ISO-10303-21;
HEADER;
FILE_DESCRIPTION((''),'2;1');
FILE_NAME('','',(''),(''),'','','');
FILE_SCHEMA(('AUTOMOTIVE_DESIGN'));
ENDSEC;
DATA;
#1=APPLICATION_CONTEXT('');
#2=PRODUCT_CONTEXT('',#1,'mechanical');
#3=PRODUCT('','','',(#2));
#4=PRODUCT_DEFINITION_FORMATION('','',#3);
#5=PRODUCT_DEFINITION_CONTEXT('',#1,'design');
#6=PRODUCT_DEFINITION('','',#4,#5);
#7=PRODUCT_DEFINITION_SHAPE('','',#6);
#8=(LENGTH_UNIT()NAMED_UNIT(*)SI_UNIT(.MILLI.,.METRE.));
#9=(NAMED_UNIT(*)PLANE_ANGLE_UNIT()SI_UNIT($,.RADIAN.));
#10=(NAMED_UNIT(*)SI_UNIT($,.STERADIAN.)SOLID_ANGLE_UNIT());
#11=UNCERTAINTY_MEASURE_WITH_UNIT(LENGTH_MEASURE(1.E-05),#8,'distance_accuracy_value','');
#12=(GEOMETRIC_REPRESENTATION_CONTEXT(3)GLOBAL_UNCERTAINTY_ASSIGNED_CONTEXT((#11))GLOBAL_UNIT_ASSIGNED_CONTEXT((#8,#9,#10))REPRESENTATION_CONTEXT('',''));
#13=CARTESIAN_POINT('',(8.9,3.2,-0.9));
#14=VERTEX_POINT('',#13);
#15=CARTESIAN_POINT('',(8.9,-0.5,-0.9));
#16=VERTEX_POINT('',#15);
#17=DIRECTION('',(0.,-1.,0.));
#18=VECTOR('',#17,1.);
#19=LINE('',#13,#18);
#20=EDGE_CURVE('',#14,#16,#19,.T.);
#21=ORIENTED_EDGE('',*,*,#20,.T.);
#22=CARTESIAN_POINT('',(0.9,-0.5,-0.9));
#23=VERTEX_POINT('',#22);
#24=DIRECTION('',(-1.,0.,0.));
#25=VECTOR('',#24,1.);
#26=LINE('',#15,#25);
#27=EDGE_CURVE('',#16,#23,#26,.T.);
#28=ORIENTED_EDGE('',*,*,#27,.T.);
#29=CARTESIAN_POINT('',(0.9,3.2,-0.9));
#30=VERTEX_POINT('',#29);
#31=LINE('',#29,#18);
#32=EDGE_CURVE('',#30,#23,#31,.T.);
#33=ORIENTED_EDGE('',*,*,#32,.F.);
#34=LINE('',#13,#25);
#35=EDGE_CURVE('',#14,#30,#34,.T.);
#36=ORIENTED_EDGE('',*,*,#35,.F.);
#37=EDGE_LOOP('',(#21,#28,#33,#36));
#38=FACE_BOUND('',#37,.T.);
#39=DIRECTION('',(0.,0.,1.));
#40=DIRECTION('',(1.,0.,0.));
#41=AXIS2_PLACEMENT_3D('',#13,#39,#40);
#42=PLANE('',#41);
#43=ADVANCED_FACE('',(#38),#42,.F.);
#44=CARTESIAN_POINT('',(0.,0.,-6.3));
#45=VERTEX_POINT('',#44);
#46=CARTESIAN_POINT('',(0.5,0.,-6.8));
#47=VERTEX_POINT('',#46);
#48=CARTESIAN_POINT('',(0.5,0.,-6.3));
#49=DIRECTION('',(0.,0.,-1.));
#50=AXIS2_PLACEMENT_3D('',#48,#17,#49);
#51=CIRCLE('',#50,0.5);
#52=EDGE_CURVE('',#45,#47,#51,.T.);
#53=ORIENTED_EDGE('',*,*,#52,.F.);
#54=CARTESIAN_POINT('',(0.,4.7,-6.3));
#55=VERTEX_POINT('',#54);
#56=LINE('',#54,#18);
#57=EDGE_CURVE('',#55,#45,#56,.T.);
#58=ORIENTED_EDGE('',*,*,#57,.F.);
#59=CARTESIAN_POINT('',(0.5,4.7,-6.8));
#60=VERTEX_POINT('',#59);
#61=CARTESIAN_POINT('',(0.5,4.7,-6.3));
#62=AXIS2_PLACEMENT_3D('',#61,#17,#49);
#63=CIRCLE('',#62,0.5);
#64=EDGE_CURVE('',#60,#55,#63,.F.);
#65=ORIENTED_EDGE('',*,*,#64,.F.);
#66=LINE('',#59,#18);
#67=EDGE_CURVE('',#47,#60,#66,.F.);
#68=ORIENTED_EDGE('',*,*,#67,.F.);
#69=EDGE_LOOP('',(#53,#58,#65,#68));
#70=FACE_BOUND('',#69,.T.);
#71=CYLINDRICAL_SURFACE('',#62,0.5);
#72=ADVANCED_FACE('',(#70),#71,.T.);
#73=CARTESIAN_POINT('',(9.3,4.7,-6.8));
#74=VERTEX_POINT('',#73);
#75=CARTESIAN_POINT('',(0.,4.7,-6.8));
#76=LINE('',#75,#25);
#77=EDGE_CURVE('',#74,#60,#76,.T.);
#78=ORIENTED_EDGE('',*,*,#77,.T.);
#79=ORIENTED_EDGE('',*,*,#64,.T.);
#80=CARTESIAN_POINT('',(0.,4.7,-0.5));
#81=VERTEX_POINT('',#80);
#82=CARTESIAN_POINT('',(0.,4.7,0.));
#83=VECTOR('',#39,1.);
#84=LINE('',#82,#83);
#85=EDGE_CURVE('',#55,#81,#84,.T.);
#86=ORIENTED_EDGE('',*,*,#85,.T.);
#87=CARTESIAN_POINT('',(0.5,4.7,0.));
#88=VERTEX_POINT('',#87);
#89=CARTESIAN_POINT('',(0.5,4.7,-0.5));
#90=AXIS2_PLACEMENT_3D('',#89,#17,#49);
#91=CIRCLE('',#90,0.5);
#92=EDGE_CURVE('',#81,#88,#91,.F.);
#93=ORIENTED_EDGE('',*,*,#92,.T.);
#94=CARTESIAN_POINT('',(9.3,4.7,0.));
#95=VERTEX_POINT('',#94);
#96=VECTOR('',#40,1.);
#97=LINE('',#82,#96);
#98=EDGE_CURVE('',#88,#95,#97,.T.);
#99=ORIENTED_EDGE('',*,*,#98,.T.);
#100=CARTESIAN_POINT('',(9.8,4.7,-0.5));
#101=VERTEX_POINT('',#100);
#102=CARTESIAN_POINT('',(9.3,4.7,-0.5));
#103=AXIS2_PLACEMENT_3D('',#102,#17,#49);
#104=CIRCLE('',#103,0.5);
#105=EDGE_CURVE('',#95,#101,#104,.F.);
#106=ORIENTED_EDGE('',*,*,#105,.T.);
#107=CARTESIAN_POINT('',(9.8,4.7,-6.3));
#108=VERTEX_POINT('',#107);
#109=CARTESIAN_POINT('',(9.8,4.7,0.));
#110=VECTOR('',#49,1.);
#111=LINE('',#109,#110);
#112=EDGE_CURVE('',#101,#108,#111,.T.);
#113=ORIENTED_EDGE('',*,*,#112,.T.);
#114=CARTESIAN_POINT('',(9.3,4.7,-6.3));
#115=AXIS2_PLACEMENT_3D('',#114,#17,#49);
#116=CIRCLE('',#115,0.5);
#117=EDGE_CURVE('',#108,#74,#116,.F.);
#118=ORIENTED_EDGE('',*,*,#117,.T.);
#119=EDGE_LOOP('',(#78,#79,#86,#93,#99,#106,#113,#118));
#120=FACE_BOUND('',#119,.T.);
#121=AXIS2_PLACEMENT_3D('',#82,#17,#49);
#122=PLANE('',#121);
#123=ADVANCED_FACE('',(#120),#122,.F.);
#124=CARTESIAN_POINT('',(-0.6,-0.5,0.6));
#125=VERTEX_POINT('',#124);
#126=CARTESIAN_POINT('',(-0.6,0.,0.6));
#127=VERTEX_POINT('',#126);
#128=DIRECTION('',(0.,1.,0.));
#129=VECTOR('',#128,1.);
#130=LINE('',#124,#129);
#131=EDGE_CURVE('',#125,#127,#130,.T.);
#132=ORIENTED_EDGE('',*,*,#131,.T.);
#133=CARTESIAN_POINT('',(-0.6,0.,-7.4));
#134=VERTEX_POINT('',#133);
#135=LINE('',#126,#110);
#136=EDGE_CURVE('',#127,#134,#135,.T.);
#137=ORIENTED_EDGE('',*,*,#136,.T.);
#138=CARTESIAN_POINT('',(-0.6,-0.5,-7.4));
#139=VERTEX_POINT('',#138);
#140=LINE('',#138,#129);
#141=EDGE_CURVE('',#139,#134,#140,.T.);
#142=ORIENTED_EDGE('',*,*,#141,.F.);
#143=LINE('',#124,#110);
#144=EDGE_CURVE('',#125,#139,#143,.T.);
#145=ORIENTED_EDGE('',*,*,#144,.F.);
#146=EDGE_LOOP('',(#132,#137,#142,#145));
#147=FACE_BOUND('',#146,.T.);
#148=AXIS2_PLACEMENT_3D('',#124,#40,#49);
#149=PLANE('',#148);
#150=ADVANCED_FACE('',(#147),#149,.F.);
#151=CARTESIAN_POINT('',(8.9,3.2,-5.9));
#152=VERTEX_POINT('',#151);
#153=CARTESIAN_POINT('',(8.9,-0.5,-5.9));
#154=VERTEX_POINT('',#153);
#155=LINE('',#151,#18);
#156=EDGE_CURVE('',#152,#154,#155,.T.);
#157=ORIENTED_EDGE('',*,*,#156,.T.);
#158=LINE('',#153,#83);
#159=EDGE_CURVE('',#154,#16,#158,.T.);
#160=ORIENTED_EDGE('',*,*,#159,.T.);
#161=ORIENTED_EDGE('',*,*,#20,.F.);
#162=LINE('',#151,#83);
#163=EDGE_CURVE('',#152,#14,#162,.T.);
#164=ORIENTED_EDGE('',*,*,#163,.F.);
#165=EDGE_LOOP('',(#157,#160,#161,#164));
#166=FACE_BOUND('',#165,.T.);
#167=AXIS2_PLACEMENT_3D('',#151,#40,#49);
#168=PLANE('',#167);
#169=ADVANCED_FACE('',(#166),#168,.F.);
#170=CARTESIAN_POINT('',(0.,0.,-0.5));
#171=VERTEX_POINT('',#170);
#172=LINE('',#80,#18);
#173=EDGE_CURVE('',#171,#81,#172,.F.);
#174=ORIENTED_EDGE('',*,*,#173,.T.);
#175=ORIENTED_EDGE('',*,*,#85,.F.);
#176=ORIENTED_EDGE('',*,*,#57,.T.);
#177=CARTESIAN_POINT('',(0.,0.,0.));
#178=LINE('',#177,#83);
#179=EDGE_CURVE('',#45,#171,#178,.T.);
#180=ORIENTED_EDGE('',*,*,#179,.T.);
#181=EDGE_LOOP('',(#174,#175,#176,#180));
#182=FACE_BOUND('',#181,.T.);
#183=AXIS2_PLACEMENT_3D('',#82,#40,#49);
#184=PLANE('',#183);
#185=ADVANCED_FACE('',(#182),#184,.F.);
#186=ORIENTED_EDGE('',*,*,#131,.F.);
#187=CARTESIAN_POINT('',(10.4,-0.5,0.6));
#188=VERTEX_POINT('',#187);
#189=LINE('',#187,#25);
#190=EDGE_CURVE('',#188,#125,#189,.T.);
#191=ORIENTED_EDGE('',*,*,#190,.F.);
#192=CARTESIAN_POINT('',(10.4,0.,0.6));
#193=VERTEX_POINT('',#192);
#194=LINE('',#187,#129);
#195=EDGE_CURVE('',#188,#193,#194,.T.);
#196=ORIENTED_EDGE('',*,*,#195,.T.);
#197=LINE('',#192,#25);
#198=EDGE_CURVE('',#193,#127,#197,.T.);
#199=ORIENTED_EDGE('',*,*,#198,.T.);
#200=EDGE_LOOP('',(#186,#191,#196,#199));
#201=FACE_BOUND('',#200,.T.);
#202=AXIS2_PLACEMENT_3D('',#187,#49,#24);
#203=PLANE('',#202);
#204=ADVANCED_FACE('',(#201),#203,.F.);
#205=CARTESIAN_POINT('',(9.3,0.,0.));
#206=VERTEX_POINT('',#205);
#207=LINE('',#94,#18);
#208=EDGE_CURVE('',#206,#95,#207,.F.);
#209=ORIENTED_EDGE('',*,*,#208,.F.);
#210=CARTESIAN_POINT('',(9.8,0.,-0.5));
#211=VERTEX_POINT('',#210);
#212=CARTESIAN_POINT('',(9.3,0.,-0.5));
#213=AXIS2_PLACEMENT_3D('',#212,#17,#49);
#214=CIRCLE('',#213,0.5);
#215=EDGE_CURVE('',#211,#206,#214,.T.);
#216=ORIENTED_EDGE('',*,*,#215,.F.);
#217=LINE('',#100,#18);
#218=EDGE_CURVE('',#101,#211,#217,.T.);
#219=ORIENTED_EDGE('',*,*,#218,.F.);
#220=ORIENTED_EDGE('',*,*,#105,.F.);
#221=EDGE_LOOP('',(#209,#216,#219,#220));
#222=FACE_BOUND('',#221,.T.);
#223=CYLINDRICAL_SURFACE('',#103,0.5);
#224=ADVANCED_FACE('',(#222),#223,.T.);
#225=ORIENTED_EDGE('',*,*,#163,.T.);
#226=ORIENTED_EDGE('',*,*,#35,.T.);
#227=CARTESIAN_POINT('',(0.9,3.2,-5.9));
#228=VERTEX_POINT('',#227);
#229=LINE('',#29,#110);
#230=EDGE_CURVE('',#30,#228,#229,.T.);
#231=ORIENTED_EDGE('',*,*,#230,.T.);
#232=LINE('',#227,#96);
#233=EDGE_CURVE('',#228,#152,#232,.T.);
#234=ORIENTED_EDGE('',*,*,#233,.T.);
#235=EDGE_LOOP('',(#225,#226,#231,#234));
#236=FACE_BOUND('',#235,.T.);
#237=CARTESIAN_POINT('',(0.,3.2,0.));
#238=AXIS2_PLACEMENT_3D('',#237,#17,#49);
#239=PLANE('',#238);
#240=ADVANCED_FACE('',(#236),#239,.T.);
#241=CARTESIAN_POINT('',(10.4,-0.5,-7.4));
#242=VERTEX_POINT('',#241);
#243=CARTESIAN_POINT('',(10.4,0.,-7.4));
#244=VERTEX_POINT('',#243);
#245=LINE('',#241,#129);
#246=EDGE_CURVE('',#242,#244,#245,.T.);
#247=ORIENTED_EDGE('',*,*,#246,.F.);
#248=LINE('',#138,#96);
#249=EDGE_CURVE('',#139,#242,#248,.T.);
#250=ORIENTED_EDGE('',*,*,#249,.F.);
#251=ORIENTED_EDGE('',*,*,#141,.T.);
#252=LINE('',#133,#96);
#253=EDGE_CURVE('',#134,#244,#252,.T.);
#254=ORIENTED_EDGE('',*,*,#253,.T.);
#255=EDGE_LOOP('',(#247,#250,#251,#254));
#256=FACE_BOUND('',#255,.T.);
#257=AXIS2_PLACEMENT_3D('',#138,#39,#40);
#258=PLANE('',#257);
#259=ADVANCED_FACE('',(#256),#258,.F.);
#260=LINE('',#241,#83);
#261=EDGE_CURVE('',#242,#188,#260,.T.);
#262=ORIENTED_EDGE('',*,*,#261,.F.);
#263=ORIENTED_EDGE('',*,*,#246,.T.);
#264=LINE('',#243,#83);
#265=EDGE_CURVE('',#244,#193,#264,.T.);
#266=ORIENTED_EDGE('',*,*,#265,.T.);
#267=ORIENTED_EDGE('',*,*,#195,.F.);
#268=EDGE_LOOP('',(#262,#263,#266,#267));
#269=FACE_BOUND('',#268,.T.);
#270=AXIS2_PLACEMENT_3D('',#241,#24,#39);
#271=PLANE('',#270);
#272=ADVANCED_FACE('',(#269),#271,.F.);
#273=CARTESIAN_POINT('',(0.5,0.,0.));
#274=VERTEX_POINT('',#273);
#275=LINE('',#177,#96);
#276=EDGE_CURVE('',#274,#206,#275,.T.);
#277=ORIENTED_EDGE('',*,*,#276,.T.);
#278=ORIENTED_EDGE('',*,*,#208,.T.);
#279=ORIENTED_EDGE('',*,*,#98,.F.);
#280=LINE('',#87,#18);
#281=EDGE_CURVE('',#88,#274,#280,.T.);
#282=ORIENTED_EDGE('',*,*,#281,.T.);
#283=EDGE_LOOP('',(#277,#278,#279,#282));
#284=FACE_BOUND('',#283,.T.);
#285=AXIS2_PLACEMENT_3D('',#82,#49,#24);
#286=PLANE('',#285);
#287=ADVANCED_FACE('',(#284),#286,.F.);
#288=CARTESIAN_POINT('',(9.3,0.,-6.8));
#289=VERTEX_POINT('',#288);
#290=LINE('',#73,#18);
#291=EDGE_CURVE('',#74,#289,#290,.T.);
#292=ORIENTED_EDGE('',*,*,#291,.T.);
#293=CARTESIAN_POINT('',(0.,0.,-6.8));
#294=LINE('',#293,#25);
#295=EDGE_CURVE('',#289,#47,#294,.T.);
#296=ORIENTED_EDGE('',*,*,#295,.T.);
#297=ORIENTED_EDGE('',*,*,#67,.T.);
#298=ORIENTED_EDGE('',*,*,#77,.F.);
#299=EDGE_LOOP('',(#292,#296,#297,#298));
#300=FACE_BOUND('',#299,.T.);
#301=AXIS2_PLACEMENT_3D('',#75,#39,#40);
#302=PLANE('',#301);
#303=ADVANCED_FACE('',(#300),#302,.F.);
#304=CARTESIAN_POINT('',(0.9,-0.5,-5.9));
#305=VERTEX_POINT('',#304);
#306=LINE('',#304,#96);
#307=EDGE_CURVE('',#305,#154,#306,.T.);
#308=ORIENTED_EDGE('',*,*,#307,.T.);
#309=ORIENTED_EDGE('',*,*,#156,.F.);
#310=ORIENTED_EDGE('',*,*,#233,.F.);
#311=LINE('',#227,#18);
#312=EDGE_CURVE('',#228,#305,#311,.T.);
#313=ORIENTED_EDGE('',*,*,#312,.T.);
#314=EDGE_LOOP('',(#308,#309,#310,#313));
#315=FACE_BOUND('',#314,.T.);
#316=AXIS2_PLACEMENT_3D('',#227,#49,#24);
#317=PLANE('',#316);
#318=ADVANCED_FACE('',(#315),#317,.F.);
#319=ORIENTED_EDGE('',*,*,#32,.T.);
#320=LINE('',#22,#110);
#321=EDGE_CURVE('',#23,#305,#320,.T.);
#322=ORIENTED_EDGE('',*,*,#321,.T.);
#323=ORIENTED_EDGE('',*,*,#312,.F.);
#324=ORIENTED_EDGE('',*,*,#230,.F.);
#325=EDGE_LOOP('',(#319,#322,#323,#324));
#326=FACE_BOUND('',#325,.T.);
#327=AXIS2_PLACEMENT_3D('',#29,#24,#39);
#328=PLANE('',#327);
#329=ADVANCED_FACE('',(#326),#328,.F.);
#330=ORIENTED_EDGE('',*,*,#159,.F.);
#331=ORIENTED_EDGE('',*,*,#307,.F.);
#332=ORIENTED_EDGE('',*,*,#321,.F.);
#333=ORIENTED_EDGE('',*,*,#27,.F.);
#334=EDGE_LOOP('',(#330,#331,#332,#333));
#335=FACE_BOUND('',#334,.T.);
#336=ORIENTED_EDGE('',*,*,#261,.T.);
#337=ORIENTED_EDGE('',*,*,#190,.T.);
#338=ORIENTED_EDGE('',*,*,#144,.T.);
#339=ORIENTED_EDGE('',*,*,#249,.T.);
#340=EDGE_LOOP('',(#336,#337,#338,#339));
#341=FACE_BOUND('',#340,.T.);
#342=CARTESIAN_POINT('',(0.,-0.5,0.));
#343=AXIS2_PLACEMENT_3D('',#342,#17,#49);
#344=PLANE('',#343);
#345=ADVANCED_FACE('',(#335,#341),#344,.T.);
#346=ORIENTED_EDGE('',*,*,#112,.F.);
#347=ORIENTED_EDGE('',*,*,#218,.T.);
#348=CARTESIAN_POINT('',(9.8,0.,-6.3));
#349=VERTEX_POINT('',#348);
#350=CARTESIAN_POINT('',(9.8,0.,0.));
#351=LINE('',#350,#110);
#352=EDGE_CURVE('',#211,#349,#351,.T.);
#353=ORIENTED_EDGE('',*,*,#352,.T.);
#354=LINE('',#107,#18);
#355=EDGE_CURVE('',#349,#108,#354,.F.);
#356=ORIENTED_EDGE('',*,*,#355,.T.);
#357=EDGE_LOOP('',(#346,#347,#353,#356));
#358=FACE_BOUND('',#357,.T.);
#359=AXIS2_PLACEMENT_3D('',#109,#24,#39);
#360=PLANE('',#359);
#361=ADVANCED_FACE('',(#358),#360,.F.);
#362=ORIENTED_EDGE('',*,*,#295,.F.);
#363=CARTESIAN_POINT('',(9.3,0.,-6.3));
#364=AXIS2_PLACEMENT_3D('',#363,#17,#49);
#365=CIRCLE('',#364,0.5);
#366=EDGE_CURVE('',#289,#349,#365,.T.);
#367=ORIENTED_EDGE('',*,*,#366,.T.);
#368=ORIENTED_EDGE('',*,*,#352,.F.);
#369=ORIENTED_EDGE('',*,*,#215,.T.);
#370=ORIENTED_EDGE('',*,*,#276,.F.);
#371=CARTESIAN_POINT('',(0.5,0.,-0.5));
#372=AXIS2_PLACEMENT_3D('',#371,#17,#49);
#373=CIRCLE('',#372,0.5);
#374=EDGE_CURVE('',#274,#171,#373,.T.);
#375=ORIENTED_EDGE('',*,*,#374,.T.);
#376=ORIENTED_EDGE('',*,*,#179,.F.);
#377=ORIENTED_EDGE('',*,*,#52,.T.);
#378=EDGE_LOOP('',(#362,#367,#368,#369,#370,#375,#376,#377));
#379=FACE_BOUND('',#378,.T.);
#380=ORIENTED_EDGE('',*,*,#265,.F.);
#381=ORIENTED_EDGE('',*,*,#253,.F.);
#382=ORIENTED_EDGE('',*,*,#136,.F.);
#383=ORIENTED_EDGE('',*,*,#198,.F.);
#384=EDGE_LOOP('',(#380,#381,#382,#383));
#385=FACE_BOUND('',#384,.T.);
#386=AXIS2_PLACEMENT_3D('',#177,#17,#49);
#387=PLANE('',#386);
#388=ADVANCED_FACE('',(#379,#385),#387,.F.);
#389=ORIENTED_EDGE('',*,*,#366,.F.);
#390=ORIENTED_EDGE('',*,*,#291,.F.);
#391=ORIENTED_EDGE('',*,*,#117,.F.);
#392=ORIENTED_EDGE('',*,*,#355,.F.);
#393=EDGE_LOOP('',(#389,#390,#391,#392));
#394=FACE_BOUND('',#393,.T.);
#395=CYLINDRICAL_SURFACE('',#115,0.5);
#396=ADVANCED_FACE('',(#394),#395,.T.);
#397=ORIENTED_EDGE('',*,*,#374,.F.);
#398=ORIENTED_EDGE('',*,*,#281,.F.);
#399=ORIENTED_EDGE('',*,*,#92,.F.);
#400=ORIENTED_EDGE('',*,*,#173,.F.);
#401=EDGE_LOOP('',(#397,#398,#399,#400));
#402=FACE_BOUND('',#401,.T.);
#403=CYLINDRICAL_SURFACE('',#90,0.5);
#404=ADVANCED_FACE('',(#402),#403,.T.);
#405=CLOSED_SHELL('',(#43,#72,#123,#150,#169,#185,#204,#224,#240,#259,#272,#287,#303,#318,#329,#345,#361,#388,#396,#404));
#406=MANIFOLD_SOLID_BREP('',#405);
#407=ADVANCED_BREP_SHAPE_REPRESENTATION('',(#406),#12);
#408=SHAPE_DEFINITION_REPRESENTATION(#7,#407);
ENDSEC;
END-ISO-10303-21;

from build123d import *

# Parameters (mm, degrees)
SKETCH1_W           = 9.8
SKETCH1_H           = 6.8
BOSS_EXTRUDE1_DEPTH = 4.7
SKETCH2_W           = 11
SKETCH2_H           = 8
BOSS_EXTRUDE2_DEPTH = 0.5
SKETCH3_W           = 8
SKETCH3_H           = 5
CUT_EXTRUDE1_DEPTH  = 3.7
FILLET1_R           = 0.5


with BuildPart() as part:
    # Sketch1 → Boss-Extrude1 (new body)
    with BuildSketch(Plane(origin=(0, 0, 0), x_dir=(1, 0, 0), z_dir=(0, 1, 0))):
        with Locations((4.9, 3.4)):
            Rectangle(SKETCH1_W, SKETCH1_H)
    extrude(amount=BOSS_EXTRUDE1_DEPTH)

    # Sketch2 → Boss-Extrude2 (add)
    with BuildSketch(Plane.XZ):
        with Locations((4.9, -3.4)):
            Rectangle(SKETCH2_W, SKETCH2_H)
    extrude(amount=BOSS_EXTRUDE2_DEPTH)

    # Sketch3 → Cut-Extrude1 (cut)
    with BuildSketch(Plane.XZ.offset(0.5)):
        with Locations((4.9, -3.4)):
            Rectangle(SKETCH3_W, SKETCH3_H)
    extrude(amount=-CUT_EXTRUDE1_DEPTH, mode=Mode.SUBTRACT)

    # Fillet1
    fillet1_edges = [part.edges().sort_by_distance(p)[0] for p in [
        (0, 2.35, -6.8),
        (9.8, 2.35, -6.8),
        (9.8, 2.35, 0),
        (0, 2.35, 0),
    ]]
    fillet(fillet1_edges, radius=FILLET1_R)


solid = part.part
